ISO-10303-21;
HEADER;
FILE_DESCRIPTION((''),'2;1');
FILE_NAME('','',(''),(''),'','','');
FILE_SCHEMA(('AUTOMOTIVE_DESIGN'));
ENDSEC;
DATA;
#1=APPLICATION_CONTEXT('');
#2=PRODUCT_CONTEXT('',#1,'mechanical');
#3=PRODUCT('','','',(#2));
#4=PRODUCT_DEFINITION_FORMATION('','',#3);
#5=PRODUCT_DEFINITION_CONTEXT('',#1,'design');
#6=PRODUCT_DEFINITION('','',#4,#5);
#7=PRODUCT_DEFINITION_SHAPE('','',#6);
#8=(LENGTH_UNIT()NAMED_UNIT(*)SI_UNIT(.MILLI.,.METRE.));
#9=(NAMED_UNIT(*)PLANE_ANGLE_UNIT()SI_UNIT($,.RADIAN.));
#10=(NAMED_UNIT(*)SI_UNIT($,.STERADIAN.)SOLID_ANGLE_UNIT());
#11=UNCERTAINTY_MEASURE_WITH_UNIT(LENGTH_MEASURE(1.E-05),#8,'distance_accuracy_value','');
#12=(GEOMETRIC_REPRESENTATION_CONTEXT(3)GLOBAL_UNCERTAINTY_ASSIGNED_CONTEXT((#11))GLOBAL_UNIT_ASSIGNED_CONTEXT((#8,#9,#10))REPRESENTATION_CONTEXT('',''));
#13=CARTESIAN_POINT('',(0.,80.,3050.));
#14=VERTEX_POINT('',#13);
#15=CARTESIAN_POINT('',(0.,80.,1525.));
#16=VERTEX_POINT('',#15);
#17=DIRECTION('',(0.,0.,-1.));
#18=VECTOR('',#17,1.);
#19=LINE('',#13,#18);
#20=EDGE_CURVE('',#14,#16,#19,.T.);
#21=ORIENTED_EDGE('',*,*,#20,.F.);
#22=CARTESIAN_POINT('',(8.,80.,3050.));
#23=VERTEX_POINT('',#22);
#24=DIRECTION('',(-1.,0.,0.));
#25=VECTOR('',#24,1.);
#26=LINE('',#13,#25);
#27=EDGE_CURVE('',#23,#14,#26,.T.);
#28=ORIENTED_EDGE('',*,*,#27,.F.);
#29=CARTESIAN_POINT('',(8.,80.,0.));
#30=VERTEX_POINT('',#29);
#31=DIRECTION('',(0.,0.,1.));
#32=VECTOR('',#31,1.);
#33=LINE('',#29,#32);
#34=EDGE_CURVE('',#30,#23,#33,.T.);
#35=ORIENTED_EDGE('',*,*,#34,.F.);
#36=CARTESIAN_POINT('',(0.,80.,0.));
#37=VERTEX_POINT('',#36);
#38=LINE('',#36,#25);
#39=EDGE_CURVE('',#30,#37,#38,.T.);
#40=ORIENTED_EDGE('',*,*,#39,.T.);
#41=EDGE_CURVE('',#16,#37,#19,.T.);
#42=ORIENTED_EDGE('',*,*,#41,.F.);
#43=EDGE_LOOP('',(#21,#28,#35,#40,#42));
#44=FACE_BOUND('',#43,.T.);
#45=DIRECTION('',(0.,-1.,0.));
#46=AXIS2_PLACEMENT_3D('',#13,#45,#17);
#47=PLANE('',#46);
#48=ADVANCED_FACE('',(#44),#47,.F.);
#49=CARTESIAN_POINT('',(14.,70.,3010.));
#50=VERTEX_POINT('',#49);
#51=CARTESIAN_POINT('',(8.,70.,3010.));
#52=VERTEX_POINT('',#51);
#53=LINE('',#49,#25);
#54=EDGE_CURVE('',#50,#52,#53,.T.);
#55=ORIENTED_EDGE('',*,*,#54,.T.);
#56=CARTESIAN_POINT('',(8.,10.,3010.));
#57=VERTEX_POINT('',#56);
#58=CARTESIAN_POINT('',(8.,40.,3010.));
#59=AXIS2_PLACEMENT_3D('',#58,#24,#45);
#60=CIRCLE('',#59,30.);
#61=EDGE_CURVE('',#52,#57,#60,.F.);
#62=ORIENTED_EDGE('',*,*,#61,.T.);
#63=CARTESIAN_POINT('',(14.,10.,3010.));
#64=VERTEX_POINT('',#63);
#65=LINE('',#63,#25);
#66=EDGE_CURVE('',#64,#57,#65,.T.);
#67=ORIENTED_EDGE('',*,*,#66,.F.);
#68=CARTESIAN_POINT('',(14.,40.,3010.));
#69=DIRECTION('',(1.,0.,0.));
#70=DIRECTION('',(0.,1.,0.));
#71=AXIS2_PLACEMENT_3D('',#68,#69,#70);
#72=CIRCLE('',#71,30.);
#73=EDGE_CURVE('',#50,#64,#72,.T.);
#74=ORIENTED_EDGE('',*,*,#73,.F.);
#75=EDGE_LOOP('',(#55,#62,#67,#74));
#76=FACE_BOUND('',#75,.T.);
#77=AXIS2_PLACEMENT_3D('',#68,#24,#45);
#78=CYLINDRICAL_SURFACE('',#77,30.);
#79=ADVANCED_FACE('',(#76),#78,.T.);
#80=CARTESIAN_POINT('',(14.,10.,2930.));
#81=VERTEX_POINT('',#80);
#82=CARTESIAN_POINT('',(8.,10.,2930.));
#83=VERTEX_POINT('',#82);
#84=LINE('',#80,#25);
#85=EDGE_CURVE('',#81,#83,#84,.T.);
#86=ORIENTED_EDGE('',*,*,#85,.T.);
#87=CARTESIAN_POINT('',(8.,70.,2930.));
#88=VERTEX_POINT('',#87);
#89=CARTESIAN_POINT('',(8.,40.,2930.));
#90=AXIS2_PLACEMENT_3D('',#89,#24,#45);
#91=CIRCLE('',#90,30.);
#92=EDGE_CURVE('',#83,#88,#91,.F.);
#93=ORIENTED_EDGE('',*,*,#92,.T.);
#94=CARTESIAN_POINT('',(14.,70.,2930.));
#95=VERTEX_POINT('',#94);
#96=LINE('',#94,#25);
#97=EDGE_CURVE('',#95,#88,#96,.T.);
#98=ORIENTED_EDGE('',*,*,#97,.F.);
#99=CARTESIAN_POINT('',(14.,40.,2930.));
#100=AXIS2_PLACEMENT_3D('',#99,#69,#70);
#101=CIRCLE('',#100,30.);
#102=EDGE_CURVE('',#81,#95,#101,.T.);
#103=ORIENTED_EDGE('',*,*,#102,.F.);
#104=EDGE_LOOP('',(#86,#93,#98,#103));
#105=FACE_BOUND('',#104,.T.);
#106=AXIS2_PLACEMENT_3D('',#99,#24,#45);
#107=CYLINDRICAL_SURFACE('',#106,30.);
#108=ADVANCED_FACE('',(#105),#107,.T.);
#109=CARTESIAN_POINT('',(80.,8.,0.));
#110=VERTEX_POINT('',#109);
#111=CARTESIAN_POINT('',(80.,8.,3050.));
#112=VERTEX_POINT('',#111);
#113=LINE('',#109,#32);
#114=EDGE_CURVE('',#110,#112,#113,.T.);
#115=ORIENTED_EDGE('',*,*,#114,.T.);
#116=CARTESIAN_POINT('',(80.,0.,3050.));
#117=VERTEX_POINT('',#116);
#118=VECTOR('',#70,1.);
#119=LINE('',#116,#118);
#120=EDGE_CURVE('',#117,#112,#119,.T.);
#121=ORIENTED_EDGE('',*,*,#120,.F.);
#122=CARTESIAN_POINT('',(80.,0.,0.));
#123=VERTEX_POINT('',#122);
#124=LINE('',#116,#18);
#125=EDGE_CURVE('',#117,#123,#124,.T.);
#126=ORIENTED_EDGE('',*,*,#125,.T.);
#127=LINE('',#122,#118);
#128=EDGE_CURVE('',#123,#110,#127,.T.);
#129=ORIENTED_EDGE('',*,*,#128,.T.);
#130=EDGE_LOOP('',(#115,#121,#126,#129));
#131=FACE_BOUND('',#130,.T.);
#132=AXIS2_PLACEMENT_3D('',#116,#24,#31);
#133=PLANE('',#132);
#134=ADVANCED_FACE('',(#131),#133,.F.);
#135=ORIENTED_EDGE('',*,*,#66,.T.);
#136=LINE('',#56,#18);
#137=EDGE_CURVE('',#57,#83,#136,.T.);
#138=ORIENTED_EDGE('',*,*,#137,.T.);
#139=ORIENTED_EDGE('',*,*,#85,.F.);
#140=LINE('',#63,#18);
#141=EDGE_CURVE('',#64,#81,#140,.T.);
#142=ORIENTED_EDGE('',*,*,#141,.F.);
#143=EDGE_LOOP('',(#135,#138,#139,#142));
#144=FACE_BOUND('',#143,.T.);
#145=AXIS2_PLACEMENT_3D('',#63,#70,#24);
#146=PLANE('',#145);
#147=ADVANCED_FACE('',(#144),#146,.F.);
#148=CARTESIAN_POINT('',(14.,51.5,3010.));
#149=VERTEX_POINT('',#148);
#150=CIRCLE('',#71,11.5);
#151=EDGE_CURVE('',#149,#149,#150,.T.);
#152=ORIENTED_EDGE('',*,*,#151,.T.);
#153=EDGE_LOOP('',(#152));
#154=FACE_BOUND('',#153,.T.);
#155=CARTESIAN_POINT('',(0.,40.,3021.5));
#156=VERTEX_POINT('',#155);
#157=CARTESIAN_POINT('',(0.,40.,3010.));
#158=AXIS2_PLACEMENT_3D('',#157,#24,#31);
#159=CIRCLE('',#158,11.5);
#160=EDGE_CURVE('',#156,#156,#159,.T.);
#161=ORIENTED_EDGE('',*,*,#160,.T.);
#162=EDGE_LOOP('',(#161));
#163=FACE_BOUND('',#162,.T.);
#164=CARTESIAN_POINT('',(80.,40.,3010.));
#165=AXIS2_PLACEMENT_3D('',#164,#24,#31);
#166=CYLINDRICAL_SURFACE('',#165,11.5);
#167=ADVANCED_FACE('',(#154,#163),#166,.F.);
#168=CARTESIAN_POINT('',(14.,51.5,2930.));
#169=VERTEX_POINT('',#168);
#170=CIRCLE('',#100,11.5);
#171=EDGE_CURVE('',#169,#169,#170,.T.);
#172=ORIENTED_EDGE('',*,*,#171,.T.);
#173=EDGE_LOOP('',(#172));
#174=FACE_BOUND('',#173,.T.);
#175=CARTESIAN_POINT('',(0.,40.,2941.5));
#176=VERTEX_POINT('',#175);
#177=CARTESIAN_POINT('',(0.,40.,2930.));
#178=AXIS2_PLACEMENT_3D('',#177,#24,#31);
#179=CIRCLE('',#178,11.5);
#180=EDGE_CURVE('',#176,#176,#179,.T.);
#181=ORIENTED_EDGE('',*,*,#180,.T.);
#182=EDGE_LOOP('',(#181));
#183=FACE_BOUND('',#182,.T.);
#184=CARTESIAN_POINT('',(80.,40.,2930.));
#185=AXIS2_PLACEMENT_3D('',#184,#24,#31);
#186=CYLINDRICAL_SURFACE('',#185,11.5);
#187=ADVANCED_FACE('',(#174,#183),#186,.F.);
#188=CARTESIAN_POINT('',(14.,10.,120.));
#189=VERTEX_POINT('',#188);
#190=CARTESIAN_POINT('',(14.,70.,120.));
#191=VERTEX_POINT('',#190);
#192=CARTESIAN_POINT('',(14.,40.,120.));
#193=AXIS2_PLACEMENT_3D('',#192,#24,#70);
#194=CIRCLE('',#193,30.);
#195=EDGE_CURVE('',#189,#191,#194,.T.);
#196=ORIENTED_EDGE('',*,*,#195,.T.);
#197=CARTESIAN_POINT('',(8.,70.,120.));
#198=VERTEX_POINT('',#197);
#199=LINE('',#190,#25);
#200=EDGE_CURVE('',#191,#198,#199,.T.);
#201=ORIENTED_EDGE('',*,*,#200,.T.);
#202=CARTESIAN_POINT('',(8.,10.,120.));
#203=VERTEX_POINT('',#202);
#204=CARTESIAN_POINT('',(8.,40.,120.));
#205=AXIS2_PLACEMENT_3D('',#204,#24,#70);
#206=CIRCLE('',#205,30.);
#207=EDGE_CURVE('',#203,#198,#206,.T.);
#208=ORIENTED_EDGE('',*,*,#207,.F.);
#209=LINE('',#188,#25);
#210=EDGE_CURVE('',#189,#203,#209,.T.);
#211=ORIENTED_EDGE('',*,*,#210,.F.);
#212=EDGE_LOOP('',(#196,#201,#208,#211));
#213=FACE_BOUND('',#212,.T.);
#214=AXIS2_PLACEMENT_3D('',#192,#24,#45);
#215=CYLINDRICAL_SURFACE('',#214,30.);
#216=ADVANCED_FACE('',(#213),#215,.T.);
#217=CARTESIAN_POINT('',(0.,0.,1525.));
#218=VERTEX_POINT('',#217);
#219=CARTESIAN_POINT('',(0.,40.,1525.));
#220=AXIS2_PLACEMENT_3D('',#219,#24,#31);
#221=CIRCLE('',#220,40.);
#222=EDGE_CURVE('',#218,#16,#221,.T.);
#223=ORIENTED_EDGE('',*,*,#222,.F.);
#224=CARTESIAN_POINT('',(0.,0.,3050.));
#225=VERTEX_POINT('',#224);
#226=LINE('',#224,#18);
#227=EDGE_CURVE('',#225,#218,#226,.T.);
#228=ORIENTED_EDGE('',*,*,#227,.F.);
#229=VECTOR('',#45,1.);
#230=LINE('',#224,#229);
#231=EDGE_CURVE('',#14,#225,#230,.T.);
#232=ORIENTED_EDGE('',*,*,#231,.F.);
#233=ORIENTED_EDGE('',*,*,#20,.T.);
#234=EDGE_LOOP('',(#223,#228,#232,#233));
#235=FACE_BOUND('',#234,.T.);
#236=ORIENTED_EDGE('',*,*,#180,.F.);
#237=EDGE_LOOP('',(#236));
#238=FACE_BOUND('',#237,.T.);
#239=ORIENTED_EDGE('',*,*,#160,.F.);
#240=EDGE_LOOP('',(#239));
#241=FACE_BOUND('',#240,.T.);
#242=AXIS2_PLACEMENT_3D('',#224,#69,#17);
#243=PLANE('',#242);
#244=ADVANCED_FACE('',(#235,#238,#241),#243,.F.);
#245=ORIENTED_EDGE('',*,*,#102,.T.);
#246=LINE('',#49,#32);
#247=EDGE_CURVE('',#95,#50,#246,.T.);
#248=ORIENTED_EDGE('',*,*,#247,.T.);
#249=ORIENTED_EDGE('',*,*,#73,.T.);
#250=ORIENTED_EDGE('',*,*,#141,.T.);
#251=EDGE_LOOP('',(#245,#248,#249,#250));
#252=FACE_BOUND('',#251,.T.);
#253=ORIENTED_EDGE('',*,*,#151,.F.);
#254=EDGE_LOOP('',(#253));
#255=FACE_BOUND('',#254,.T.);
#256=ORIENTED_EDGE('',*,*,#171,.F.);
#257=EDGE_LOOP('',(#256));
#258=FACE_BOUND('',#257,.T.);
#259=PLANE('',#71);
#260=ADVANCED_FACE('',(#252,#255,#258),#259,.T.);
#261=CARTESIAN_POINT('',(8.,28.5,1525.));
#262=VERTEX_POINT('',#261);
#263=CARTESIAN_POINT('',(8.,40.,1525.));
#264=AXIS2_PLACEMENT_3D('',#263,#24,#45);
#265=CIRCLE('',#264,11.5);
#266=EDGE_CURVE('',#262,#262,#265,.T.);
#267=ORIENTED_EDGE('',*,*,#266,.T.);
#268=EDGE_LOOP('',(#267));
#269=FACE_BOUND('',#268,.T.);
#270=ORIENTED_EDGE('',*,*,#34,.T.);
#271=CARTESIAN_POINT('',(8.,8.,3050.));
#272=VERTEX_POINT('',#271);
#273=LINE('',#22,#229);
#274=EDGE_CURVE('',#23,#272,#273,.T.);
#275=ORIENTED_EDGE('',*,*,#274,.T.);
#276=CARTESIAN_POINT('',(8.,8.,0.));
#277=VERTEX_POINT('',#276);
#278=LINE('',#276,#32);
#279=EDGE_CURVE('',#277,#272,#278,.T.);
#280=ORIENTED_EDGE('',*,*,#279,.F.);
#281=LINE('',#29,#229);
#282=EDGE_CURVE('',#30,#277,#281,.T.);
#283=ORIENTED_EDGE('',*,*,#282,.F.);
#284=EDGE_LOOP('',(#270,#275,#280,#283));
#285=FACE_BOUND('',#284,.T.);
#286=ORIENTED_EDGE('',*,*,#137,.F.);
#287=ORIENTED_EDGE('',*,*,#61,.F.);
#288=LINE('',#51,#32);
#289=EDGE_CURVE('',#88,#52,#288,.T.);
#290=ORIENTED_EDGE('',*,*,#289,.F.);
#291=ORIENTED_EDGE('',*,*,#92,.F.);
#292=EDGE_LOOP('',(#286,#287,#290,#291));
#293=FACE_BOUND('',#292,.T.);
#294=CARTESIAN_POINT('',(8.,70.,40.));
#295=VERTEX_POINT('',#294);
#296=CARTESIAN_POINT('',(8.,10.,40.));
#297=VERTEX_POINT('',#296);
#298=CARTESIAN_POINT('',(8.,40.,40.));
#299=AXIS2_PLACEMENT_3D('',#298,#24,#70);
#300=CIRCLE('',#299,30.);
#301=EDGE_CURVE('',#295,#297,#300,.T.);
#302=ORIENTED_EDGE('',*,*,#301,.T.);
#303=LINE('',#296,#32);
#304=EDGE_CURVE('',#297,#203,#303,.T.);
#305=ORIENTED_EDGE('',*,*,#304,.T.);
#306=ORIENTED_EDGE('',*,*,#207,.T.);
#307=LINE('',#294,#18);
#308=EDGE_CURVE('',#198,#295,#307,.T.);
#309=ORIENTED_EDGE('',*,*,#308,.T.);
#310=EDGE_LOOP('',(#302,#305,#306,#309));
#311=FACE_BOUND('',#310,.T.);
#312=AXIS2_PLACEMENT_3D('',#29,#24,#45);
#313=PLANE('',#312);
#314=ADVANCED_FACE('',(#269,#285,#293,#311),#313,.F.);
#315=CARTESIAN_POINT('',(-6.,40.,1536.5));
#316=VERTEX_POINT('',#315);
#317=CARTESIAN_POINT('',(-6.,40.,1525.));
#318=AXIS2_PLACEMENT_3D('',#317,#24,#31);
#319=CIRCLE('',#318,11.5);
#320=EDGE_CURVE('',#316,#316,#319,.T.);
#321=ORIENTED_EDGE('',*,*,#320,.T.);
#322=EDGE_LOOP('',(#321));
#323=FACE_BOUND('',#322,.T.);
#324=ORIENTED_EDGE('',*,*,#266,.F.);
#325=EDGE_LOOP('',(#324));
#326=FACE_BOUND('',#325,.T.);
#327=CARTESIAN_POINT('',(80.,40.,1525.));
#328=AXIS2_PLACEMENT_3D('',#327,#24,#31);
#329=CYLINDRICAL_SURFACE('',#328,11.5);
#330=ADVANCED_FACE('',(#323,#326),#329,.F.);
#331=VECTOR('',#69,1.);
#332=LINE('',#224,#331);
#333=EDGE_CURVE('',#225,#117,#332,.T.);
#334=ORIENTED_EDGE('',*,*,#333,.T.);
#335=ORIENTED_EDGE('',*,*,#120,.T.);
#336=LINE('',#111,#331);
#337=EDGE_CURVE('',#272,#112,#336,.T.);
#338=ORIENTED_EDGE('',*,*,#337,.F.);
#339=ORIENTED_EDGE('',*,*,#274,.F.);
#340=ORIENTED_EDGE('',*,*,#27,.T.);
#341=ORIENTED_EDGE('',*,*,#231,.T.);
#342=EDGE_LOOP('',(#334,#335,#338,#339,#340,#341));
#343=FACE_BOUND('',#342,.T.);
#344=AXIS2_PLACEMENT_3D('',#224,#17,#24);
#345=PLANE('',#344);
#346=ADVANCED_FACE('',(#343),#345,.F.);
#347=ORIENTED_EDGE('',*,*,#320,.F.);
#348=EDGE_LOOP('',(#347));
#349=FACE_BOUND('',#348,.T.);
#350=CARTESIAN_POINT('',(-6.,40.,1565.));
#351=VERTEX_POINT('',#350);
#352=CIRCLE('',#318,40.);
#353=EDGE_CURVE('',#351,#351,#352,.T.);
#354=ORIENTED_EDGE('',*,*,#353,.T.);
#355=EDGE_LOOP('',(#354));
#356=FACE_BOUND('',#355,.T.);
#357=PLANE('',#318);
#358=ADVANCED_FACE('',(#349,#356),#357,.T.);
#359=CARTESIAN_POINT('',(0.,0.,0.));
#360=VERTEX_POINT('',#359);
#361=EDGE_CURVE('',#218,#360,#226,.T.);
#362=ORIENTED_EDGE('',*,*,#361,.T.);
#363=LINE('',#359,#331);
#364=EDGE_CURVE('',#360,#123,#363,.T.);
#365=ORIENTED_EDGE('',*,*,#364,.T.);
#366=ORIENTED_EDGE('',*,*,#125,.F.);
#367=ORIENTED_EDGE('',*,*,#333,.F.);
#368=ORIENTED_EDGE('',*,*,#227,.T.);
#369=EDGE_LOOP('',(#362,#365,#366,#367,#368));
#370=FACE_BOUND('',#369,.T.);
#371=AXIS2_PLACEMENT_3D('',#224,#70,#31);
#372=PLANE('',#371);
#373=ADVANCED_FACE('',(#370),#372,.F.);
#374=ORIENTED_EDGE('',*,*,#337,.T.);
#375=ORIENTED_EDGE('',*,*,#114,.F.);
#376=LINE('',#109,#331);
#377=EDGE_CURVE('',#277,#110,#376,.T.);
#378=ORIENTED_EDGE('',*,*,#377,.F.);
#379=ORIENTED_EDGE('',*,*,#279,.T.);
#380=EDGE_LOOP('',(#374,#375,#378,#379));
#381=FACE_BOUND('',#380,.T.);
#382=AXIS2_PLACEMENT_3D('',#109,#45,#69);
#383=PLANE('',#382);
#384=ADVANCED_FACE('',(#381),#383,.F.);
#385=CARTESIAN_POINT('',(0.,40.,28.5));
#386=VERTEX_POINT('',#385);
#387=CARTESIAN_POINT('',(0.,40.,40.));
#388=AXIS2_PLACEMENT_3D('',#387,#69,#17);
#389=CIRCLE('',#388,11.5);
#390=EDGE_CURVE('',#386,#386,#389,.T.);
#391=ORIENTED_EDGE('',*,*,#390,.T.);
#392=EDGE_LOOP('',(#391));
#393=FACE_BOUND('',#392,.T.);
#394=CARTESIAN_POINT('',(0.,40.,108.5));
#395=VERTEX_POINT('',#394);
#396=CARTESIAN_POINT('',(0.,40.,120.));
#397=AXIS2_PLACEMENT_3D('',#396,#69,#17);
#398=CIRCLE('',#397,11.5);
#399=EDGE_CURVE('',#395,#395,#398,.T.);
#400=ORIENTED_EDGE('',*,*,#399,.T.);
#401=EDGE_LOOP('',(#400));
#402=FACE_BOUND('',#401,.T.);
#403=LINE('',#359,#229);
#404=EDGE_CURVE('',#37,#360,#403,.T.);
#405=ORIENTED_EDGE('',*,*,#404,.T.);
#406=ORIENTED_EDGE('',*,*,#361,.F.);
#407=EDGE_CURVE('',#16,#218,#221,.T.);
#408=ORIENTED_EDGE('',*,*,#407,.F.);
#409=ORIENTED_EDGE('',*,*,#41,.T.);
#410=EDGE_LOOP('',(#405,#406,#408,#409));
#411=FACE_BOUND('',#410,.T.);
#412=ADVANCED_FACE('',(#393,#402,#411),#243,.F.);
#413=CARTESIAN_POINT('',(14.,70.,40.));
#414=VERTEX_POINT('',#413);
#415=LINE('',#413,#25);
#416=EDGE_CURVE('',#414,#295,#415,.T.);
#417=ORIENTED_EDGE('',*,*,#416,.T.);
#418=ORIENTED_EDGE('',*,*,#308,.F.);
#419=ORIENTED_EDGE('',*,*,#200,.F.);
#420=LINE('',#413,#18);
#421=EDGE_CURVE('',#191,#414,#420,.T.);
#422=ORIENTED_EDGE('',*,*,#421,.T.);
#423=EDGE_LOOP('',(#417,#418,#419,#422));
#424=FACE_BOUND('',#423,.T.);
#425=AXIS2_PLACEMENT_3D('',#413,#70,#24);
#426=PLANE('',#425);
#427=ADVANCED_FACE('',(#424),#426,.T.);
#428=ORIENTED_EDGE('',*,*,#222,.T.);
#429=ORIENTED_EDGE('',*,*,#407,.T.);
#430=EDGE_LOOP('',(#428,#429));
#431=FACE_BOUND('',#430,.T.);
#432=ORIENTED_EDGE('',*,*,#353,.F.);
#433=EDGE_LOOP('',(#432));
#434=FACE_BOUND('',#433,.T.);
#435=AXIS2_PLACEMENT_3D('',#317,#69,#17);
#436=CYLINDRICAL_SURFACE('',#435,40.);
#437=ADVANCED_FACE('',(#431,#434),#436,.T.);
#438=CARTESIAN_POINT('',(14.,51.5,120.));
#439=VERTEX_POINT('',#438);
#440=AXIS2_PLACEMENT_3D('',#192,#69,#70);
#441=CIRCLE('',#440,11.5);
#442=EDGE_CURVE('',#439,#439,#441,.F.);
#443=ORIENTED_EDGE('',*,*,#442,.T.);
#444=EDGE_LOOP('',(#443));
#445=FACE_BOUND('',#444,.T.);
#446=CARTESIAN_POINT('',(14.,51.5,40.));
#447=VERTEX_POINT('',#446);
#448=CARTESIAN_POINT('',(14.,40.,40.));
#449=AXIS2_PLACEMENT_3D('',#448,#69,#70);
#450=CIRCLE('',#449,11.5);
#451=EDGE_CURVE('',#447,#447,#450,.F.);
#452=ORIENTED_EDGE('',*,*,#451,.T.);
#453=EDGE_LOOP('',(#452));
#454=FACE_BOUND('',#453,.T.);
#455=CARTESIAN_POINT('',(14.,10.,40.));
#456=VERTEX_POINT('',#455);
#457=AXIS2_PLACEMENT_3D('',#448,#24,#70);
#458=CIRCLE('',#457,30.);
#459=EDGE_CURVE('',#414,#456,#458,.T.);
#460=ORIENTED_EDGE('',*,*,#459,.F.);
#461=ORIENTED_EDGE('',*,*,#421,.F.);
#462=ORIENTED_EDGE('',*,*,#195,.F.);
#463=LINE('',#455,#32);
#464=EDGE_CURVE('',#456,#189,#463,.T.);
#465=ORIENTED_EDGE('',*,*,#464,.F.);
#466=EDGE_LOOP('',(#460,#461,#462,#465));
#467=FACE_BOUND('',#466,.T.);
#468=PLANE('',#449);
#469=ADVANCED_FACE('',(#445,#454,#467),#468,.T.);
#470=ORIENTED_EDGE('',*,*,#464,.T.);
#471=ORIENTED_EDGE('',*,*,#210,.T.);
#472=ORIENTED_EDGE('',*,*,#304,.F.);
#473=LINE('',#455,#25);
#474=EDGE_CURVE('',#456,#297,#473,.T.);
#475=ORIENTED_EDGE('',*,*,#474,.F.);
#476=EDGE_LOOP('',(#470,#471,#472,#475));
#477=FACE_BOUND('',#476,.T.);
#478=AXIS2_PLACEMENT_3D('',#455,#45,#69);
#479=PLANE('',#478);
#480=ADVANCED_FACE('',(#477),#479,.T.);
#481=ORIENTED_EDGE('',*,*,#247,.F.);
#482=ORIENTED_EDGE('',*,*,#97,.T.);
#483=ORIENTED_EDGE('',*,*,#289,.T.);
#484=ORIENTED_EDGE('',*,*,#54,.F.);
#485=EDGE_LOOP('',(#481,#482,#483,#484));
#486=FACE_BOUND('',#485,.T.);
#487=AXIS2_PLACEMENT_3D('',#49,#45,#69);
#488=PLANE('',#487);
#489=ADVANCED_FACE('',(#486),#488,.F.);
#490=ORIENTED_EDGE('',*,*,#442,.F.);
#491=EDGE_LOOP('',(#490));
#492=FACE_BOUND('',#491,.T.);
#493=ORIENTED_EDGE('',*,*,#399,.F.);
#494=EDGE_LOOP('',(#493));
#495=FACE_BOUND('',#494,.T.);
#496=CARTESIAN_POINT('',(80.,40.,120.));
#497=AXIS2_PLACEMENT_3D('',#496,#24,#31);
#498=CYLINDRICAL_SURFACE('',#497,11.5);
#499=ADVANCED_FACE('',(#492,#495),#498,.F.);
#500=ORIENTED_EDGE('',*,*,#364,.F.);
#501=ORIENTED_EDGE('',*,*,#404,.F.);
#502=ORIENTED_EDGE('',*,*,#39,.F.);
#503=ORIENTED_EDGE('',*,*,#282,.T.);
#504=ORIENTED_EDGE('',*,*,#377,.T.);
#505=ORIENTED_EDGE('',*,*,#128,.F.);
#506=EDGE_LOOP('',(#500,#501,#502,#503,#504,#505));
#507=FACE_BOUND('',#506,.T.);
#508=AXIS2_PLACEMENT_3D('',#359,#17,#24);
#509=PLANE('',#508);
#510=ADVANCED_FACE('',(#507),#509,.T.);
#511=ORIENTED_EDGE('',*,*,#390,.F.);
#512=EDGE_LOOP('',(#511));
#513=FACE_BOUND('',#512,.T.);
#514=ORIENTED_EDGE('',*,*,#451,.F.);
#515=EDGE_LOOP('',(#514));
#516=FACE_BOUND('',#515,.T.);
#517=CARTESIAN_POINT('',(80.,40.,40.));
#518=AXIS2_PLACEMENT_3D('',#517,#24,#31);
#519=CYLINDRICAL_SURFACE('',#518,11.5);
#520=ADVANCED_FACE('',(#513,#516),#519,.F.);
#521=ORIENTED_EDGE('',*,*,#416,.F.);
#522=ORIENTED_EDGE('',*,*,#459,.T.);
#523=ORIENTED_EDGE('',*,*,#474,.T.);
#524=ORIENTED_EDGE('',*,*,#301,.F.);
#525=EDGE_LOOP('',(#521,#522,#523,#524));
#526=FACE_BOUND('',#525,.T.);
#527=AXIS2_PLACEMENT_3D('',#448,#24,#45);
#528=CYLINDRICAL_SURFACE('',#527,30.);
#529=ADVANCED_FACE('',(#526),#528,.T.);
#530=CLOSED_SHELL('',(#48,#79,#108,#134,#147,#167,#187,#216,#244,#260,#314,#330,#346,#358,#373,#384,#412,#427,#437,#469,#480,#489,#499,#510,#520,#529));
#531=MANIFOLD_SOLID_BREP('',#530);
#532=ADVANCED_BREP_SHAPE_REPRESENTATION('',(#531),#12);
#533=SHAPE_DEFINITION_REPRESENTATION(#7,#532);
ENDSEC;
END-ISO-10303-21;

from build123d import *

# Parameters (mm, degrees)
SKETCH_1_W          = 80
SKETCH_1_H          = 80
EXTRUDE_1_DEPTH     = 3050
SKETCH_2_W          = 72
SKETCH_2_H          = 72
CUT_EXTRUDE_1_DEPTH = 3053.097639329
SKETCH_5_R          = 40
EXTRUDE_2_DEPTH     = 6
SKETCH_6_R          = 11.5
CUT_EXTRUDE_2_DEPTH = 3053.260801439
SKETCH_7_R          = 30
EXTRUDE_3_DEPTH     = 6
SKETCH_8_W          = 80
SKETCH_8_H          = 60
EXTRUDE_4_DEPTH     = 6
SKETCH_9_R          = 11.5
CUT_EXTRUDE_3_DEPTH = 3053.097639329


with BuildPart() as part:
    # 草图1 → 凸台-拉伸1 (new body)
    with BuildSketch(Plane.XY):
        with Locations((40, 40)):
            Rectangle(SKETCH_1_W, SKETCH_1_H)
    extrude(amount=EXTRUDE_1_DEPTH)

    # 草图2 → 切除-拉伸1 (cut, through all)
    with BuildSketch(Plane.XY.offset(3050)):
        with Locations((44, 44)):
            Rectangle(SKETCH_2_W, SKETCH_2_H)
    extrude(amount=-CUT_EXTRUDE_1_DEPTH, mode=Mode.SUBTRACT)

    # 草图5 → 凸台-拉伸2 (add)
    with BuildSketch(Plane.ZY):
        with Locations(Location((1525, 40, 0), (0, 0, 270))):
            Circle(SKETCH_5_R)
    extrude(amount=EXTRUDE_2_DEPTH)

    # 草图6 → 切除-拉伸2 (cut, through all)
    with BuildSketch(Plane.ZY.offset(6)):
        with Locations((1525, 40)):
            Circle(SKETCH_6_R)
    extrude(amount=-CUT_EXTRUDE_2_DEPTH, mode=Mode.SUBTRACT)

    # 草图7 → 凸台-拉伸3 (add)
    with BuildSketch(Plane(origin=(8, 0, 0), x_dir=(0, 0, -1), z_dir=(1, 0, 0))):
        with Locations(Location((-3010, 40, 0), (0, 0, 270))):
            Circle(SKETCH_7_R)
        with Locations(Location((-2930, 40, 0), (0, 0, 270))):
            Circle(SKETCH_7_R)
    extrude_3 = extrude(amount=EXTRUDE_3_DEPTH)

    # 草图8 → 凸台-拉伸4 (add)
    with BuildSketch(Plane(origin=(8, 0, 0), x_dir=(0, 0, -1), z_dir=(1, 0, 0))):
        with Locations((-2970, 40)):
            Rectangle(SKETCH_8_W, SKETCH_8_H)
    extrude_4 = extrude(amount=EXTRUDE_4_DEPTH)

    # 草图9 → 切除-拉伸3 (cut, through all)
    with BuildSketch(Plane.ZY):
        with Locations((3010, 40)):
            Circle(SKETCH_9_R)
        with Locations((2930, 40)):
            Circle(SKETCH_9_R)
    cut_extrude_3 = extrude(amount=-CUT_EXTRUDE_3_DEPTH, mode=Mode.SUBTRACT)

    # 镜向1: 凸台-拉伸3, 凸台-拉伸4, 切除-拉伸3 across plane
    add(extrude_3.mirror(Plane.XY.offset(1525)))
    add(extrude_4.mirror(Plane.XY.offset(1525)))
    add(cut_extrude_3.mirror(Plane.XY.offset(1525)), mode=Mode.SUBTRACT)


solid = part.part
